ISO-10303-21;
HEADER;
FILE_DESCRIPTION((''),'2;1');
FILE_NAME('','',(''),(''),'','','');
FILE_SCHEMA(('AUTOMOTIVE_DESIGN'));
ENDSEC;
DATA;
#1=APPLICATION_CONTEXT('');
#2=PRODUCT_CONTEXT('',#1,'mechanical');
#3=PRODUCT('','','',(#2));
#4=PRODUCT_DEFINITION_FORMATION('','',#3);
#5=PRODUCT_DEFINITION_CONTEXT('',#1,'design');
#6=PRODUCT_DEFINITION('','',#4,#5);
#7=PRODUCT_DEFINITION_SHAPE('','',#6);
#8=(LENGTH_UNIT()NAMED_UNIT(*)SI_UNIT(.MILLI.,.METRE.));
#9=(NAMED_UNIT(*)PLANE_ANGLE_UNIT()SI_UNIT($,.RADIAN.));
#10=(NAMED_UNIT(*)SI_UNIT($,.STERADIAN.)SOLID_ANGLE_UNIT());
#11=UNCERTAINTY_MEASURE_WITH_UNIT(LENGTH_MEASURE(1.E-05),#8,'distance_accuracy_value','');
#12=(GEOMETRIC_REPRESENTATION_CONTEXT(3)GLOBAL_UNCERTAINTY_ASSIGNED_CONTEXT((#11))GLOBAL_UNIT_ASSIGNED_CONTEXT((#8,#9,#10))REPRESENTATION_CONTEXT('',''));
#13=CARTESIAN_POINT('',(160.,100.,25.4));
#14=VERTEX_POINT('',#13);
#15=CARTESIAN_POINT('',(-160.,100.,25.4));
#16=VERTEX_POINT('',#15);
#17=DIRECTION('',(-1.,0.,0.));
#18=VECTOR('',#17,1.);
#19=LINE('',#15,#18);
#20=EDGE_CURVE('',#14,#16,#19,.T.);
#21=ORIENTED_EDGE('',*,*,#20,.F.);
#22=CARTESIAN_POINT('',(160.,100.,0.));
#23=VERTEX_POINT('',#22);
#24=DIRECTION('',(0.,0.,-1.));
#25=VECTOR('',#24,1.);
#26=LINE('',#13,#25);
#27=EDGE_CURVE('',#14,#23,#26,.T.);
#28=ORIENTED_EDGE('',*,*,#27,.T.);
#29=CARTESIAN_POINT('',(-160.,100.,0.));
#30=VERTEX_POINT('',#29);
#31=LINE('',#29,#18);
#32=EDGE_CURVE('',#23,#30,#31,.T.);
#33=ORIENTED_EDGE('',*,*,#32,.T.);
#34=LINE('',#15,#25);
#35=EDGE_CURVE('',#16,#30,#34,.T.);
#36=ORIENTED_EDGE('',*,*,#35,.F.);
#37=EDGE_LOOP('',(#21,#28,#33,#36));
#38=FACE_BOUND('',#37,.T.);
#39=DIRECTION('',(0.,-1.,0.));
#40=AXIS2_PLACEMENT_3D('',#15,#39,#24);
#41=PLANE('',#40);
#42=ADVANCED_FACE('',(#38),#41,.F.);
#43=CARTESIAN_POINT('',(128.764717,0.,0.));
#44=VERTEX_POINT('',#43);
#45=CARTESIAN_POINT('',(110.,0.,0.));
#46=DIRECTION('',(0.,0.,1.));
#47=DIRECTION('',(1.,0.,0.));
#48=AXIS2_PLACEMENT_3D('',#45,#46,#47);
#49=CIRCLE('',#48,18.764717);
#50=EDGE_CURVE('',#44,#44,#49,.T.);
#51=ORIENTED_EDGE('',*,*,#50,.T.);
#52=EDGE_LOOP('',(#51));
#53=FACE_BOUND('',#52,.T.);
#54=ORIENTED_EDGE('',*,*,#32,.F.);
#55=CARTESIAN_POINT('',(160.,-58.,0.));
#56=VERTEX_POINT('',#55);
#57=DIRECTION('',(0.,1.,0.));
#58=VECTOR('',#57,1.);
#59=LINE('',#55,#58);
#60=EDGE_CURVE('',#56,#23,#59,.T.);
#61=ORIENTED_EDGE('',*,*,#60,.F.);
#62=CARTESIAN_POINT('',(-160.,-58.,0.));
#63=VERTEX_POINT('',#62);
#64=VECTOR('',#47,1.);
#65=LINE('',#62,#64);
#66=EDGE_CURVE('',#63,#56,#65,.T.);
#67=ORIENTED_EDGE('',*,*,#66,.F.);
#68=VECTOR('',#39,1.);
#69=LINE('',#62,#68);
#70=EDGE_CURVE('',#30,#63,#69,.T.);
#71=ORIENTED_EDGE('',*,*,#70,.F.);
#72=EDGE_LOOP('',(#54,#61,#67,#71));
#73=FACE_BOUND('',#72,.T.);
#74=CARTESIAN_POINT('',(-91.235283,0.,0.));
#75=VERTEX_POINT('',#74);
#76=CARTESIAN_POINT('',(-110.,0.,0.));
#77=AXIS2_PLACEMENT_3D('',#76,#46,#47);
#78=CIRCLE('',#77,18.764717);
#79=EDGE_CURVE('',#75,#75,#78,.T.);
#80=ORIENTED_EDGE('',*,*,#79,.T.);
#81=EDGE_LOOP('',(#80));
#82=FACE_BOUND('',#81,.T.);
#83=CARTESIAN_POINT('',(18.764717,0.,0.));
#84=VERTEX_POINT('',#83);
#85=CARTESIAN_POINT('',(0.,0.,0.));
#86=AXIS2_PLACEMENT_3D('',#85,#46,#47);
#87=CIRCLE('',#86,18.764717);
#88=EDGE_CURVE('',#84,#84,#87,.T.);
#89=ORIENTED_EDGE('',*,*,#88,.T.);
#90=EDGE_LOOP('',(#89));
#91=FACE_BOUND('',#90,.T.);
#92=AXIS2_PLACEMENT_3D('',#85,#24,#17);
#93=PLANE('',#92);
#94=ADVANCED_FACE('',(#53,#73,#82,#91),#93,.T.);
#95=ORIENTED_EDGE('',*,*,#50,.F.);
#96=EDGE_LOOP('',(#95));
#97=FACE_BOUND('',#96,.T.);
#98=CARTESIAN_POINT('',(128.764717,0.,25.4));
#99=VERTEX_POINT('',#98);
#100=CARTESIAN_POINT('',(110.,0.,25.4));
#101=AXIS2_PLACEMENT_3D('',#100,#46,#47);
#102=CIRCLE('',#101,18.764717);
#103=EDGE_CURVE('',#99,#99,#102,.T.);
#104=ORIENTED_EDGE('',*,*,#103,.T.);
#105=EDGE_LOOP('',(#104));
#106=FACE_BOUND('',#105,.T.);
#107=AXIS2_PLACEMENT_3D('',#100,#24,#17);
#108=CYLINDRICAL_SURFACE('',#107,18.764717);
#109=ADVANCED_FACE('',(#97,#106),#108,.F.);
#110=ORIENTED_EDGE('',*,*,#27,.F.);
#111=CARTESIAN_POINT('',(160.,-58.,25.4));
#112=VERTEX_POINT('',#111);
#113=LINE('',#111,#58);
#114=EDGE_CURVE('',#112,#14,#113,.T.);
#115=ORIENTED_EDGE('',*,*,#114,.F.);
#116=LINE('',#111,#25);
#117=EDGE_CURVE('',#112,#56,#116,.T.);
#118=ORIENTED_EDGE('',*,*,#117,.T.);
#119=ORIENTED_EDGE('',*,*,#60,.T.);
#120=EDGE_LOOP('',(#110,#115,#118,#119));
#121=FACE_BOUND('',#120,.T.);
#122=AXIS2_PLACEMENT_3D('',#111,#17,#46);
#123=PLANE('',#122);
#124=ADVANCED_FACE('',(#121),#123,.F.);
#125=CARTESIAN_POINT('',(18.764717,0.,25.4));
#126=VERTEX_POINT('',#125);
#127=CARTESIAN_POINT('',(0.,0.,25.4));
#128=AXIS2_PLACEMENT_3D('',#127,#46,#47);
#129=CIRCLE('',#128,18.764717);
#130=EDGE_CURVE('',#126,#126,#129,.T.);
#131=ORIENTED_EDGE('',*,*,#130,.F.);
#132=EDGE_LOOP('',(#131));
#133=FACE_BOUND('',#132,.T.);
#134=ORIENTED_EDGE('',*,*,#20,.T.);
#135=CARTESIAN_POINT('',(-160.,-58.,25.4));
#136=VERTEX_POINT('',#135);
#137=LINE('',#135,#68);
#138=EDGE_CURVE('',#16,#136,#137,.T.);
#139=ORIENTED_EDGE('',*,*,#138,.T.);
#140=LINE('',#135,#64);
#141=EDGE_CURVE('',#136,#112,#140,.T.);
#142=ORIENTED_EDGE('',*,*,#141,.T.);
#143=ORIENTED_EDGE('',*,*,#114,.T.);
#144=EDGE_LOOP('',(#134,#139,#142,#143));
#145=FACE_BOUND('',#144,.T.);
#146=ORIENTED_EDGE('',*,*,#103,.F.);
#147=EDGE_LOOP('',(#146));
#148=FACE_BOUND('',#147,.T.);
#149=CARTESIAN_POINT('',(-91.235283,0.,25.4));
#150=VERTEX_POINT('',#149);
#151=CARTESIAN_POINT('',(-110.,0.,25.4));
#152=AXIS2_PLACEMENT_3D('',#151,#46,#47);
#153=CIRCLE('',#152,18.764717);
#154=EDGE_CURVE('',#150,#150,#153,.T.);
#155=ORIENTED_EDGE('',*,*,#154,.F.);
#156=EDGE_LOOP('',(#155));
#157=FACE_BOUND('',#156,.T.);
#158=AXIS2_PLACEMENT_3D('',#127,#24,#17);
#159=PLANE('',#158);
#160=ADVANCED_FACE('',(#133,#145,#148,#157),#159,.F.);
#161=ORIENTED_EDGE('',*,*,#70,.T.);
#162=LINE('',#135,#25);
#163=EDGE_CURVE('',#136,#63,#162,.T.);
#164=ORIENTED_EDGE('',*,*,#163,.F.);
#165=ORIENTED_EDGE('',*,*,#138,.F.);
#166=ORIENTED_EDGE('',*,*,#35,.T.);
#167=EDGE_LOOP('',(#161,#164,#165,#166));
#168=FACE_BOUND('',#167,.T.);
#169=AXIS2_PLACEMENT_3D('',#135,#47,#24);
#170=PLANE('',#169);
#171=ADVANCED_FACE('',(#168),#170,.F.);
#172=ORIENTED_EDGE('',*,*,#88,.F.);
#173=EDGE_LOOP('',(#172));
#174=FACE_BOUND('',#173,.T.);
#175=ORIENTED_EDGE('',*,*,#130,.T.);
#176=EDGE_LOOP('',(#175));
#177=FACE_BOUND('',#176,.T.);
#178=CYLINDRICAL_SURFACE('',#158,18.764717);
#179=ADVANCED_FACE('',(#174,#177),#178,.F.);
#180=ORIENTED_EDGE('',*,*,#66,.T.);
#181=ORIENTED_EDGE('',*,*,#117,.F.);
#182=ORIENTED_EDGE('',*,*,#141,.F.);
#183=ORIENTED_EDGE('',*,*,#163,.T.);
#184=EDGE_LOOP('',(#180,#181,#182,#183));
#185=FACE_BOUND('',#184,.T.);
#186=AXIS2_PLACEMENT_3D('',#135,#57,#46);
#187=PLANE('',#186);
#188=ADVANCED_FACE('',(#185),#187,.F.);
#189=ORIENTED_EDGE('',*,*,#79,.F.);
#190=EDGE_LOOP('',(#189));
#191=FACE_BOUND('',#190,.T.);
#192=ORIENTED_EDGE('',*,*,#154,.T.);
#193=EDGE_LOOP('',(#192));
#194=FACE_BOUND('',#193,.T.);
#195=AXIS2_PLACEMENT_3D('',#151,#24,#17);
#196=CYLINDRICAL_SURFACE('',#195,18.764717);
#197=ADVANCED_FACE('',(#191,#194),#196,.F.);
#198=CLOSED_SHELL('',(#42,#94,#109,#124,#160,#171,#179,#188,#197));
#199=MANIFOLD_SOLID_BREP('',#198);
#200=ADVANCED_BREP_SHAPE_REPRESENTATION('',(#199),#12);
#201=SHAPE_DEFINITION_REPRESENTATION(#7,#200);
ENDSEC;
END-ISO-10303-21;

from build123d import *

# Parameters (mm, degrees)
CROQUIS1_W              = 320
CROQUIS1_H              = 158
CROQUIS1_R              = 18.764717073
SALIENTE_EXTRUIR1_DEPTH = 25.4


with BuildPart() as part:
    # Croquis1 → Saliente-Extruir1 (new body)
    with BuildSketch(Plane.XY):
        with Locations((0, 21)):
            Rectangle(CROQUIS1_W, CROQUIS1_H)
        Circle(CROQUIS1_R, mode=Mode.SUBTRACT)
        with Locations((110, 0)):
            Circle(CROQUIS1_R, mode=Mode.SUBTRACT)
        with Locations((-110, 0)):
            Circle(CROQUIS1_R, mode=Mode.SUBTRACT)
    extrude(amount=SALIENTE_EXTRUIR1_DEPTH)


solid = part.part
